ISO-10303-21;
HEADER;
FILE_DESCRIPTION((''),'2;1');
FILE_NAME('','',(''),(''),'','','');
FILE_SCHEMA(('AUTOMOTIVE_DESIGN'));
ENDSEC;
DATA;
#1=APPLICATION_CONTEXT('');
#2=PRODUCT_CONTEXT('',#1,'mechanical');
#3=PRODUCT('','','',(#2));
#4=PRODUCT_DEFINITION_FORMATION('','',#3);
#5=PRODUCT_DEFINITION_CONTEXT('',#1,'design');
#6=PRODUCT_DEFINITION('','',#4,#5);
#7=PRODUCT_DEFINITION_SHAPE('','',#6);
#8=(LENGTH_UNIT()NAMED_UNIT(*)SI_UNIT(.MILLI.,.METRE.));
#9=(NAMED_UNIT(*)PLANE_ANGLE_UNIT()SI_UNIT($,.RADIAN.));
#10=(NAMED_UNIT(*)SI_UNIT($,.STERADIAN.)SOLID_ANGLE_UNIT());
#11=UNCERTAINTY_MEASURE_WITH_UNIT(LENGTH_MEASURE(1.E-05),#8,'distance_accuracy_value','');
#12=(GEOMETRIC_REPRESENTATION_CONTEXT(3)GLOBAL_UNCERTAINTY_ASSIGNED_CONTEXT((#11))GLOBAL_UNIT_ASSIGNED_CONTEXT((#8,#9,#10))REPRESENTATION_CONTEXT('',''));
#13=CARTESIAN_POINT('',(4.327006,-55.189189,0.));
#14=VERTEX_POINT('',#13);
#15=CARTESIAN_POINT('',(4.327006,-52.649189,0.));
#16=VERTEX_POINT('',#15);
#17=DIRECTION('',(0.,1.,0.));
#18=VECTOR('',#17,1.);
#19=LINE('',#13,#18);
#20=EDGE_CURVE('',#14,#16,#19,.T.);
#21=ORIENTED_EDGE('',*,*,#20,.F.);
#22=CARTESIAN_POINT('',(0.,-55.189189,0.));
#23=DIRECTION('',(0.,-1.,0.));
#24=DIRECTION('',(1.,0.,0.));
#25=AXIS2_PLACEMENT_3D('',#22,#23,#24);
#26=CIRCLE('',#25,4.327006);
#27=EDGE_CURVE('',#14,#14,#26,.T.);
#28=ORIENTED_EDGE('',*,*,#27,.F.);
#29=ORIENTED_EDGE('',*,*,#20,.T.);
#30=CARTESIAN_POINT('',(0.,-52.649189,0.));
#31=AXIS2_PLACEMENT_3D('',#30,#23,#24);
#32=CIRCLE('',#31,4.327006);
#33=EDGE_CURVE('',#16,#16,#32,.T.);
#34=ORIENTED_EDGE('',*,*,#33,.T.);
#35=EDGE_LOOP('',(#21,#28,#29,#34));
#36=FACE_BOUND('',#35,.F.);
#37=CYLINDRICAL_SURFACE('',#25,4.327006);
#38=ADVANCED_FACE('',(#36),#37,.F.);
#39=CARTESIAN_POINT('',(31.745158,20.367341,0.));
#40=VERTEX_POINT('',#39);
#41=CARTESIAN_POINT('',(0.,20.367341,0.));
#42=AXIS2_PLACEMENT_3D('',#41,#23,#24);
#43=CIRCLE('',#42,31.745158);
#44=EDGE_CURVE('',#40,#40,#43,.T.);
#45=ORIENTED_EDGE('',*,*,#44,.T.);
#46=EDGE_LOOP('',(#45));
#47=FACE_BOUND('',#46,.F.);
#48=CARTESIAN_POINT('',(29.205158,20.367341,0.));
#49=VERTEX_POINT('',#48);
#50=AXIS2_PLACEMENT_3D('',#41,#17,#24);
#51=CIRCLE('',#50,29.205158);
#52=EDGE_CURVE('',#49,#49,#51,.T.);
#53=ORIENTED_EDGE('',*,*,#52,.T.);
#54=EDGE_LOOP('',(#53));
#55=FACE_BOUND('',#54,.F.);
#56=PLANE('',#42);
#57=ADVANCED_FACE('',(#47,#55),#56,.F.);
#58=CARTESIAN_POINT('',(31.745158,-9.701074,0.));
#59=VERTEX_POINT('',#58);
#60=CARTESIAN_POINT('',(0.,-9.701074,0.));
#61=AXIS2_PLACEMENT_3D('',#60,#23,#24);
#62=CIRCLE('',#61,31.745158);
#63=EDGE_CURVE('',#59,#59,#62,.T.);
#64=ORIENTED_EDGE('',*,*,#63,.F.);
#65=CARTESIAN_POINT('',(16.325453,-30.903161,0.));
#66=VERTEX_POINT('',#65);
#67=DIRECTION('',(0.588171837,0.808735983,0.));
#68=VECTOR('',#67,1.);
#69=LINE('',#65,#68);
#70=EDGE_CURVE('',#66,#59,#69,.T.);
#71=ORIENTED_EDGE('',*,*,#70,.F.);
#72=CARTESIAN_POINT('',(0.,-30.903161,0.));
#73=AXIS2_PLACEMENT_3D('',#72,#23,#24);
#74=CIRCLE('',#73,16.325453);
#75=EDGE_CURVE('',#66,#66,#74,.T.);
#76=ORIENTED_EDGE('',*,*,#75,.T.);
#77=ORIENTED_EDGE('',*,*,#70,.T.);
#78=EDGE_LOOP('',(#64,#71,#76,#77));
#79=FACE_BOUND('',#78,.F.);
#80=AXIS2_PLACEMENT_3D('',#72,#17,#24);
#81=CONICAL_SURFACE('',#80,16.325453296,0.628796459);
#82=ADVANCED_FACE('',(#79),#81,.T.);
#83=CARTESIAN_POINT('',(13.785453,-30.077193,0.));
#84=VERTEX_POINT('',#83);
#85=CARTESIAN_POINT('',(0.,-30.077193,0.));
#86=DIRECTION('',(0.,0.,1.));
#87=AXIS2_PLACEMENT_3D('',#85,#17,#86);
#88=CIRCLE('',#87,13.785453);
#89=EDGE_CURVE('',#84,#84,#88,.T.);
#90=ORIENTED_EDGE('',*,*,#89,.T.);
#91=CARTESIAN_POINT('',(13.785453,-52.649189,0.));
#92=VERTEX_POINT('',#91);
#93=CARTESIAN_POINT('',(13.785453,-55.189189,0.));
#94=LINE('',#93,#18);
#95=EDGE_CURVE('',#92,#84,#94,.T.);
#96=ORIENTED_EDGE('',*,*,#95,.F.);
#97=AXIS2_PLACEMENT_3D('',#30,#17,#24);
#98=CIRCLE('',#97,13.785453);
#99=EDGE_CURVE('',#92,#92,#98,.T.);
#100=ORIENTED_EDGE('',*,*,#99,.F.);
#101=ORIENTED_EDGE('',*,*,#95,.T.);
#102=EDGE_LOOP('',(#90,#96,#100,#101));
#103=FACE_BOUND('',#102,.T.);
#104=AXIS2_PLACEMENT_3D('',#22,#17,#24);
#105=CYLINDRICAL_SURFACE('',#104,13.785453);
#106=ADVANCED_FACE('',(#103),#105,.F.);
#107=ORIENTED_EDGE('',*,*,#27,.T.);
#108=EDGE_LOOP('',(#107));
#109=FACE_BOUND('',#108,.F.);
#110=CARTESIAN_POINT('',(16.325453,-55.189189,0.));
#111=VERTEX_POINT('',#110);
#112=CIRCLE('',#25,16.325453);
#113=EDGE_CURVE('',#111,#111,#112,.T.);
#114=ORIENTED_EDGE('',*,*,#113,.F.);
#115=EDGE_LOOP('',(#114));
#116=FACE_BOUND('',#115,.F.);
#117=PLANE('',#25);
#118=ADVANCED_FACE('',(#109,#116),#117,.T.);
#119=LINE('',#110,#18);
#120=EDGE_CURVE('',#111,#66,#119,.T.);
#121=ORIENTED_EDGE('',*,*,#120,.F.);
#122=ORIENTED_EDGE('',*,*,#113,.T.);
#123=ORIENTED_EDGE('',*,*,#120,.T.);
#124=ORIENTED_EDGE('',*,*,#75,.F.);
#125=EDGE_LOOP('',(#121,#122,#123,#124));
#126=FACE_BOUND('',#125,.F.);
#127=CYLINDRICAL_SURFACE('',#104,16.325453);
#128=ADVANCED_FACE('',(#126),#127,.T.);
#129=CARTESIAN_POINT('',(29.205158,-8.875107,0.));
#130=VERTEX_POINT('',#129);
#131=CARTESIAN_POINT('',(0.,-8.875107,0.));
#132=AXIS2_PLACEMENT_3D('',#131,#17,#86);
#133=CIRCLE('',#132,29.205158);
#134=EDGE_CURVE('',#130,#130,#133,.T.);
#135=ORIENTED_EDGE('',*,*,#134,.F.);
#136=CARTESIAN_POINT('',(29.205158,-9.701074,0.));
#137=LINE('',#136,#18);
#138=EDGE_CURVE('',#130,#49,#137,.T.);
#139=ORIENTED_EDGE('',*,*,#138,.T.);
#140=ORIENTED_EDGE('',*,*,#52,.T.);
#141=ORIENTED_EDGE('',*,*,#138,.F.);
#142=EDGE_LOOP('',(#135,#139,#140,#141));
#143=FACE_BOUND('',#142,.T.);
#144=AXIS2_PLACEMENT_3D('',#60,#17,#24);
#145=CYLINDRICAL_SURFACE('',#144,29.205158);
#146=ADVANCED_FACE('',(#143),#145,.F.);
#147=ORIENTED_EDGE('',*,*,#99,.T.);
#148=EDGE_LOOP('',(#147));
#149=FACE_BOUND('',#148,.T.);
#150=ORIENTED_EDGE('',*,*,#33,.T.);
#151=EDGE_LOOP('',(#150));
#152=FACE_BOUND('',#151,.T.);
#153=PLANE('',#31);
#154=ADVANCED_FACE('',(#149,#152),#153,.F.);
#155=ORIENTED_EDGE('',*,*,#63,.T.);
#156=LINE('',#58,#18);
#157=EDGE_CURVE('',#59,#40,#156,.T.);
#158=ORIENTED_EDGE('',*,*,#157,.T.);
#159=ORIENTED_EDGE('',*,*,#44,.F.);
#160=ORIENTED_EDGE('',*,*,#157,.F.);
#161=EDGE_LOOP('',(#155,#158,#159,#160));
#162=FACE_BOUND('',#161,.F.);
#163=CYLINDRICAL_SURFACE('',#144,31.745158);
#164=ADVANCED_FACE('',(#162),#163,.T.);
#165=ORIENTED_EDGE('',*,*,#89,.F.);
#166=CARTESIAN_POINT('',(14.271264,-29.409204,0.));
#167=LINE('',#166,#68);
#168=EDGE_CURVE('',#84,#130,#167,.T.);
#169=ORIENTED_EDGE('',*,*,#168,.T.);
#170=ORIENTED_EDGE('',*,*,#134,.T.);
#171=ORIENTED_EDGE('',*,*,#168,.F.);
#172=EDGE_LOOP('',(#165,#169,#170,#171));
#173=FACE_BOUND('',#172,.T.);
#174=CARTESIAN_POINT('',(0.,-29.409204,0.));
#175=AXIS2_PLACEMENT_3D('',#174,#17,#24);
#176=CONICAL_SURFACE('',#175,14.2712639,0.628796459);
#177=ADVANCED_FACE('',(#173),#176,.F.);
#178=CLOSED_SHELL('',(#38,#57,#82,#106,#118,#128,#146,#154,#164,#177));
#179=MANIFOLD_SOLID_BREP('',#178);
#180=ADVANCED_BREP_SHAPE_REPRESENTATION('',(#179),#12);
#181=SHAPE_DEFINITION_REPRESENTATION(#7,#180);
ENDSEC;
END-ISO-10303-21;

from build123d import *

# Parameters (mm, degrees)
F3_T     = -2.54
F2_R     = 4.327006367
F4_DEPTH = 75.5575296859


with BuildPart() as f1:
    # F0 (on Top) → F1 (revolve)
    with BuildSketch(Plane.XY):
        Polygon((0, 20.3673411161), (0, -55.1891885698), (16.3254532963, -55.1891885698), (16.3254532963, -30.9031605721), (31.7451581359, -9.701074101), (31.7451581359, 20.3673411161), align=None)
    revolve(axis=Axis((0, -6.6171362996, 0), (0, -1, 0)))

    # F3
    f3_openings = [f1.faces().sort_by_distance(p)[0] for p in [
        (0, 20.367341, 0),
    ]]
    offset(amount=F3_T, openings=f3_openings, kind=Kind.INTERSECTION)

    # F2 (on face) → F4 (cut, through all)
    with BuildSketch(Plane.XZ.offset(55.1891885698)):
        Circle(F2_R)
    extrude(amount=-F4_DEPTH, mode=Mode.SUBTRACT)


solid = f1.part
